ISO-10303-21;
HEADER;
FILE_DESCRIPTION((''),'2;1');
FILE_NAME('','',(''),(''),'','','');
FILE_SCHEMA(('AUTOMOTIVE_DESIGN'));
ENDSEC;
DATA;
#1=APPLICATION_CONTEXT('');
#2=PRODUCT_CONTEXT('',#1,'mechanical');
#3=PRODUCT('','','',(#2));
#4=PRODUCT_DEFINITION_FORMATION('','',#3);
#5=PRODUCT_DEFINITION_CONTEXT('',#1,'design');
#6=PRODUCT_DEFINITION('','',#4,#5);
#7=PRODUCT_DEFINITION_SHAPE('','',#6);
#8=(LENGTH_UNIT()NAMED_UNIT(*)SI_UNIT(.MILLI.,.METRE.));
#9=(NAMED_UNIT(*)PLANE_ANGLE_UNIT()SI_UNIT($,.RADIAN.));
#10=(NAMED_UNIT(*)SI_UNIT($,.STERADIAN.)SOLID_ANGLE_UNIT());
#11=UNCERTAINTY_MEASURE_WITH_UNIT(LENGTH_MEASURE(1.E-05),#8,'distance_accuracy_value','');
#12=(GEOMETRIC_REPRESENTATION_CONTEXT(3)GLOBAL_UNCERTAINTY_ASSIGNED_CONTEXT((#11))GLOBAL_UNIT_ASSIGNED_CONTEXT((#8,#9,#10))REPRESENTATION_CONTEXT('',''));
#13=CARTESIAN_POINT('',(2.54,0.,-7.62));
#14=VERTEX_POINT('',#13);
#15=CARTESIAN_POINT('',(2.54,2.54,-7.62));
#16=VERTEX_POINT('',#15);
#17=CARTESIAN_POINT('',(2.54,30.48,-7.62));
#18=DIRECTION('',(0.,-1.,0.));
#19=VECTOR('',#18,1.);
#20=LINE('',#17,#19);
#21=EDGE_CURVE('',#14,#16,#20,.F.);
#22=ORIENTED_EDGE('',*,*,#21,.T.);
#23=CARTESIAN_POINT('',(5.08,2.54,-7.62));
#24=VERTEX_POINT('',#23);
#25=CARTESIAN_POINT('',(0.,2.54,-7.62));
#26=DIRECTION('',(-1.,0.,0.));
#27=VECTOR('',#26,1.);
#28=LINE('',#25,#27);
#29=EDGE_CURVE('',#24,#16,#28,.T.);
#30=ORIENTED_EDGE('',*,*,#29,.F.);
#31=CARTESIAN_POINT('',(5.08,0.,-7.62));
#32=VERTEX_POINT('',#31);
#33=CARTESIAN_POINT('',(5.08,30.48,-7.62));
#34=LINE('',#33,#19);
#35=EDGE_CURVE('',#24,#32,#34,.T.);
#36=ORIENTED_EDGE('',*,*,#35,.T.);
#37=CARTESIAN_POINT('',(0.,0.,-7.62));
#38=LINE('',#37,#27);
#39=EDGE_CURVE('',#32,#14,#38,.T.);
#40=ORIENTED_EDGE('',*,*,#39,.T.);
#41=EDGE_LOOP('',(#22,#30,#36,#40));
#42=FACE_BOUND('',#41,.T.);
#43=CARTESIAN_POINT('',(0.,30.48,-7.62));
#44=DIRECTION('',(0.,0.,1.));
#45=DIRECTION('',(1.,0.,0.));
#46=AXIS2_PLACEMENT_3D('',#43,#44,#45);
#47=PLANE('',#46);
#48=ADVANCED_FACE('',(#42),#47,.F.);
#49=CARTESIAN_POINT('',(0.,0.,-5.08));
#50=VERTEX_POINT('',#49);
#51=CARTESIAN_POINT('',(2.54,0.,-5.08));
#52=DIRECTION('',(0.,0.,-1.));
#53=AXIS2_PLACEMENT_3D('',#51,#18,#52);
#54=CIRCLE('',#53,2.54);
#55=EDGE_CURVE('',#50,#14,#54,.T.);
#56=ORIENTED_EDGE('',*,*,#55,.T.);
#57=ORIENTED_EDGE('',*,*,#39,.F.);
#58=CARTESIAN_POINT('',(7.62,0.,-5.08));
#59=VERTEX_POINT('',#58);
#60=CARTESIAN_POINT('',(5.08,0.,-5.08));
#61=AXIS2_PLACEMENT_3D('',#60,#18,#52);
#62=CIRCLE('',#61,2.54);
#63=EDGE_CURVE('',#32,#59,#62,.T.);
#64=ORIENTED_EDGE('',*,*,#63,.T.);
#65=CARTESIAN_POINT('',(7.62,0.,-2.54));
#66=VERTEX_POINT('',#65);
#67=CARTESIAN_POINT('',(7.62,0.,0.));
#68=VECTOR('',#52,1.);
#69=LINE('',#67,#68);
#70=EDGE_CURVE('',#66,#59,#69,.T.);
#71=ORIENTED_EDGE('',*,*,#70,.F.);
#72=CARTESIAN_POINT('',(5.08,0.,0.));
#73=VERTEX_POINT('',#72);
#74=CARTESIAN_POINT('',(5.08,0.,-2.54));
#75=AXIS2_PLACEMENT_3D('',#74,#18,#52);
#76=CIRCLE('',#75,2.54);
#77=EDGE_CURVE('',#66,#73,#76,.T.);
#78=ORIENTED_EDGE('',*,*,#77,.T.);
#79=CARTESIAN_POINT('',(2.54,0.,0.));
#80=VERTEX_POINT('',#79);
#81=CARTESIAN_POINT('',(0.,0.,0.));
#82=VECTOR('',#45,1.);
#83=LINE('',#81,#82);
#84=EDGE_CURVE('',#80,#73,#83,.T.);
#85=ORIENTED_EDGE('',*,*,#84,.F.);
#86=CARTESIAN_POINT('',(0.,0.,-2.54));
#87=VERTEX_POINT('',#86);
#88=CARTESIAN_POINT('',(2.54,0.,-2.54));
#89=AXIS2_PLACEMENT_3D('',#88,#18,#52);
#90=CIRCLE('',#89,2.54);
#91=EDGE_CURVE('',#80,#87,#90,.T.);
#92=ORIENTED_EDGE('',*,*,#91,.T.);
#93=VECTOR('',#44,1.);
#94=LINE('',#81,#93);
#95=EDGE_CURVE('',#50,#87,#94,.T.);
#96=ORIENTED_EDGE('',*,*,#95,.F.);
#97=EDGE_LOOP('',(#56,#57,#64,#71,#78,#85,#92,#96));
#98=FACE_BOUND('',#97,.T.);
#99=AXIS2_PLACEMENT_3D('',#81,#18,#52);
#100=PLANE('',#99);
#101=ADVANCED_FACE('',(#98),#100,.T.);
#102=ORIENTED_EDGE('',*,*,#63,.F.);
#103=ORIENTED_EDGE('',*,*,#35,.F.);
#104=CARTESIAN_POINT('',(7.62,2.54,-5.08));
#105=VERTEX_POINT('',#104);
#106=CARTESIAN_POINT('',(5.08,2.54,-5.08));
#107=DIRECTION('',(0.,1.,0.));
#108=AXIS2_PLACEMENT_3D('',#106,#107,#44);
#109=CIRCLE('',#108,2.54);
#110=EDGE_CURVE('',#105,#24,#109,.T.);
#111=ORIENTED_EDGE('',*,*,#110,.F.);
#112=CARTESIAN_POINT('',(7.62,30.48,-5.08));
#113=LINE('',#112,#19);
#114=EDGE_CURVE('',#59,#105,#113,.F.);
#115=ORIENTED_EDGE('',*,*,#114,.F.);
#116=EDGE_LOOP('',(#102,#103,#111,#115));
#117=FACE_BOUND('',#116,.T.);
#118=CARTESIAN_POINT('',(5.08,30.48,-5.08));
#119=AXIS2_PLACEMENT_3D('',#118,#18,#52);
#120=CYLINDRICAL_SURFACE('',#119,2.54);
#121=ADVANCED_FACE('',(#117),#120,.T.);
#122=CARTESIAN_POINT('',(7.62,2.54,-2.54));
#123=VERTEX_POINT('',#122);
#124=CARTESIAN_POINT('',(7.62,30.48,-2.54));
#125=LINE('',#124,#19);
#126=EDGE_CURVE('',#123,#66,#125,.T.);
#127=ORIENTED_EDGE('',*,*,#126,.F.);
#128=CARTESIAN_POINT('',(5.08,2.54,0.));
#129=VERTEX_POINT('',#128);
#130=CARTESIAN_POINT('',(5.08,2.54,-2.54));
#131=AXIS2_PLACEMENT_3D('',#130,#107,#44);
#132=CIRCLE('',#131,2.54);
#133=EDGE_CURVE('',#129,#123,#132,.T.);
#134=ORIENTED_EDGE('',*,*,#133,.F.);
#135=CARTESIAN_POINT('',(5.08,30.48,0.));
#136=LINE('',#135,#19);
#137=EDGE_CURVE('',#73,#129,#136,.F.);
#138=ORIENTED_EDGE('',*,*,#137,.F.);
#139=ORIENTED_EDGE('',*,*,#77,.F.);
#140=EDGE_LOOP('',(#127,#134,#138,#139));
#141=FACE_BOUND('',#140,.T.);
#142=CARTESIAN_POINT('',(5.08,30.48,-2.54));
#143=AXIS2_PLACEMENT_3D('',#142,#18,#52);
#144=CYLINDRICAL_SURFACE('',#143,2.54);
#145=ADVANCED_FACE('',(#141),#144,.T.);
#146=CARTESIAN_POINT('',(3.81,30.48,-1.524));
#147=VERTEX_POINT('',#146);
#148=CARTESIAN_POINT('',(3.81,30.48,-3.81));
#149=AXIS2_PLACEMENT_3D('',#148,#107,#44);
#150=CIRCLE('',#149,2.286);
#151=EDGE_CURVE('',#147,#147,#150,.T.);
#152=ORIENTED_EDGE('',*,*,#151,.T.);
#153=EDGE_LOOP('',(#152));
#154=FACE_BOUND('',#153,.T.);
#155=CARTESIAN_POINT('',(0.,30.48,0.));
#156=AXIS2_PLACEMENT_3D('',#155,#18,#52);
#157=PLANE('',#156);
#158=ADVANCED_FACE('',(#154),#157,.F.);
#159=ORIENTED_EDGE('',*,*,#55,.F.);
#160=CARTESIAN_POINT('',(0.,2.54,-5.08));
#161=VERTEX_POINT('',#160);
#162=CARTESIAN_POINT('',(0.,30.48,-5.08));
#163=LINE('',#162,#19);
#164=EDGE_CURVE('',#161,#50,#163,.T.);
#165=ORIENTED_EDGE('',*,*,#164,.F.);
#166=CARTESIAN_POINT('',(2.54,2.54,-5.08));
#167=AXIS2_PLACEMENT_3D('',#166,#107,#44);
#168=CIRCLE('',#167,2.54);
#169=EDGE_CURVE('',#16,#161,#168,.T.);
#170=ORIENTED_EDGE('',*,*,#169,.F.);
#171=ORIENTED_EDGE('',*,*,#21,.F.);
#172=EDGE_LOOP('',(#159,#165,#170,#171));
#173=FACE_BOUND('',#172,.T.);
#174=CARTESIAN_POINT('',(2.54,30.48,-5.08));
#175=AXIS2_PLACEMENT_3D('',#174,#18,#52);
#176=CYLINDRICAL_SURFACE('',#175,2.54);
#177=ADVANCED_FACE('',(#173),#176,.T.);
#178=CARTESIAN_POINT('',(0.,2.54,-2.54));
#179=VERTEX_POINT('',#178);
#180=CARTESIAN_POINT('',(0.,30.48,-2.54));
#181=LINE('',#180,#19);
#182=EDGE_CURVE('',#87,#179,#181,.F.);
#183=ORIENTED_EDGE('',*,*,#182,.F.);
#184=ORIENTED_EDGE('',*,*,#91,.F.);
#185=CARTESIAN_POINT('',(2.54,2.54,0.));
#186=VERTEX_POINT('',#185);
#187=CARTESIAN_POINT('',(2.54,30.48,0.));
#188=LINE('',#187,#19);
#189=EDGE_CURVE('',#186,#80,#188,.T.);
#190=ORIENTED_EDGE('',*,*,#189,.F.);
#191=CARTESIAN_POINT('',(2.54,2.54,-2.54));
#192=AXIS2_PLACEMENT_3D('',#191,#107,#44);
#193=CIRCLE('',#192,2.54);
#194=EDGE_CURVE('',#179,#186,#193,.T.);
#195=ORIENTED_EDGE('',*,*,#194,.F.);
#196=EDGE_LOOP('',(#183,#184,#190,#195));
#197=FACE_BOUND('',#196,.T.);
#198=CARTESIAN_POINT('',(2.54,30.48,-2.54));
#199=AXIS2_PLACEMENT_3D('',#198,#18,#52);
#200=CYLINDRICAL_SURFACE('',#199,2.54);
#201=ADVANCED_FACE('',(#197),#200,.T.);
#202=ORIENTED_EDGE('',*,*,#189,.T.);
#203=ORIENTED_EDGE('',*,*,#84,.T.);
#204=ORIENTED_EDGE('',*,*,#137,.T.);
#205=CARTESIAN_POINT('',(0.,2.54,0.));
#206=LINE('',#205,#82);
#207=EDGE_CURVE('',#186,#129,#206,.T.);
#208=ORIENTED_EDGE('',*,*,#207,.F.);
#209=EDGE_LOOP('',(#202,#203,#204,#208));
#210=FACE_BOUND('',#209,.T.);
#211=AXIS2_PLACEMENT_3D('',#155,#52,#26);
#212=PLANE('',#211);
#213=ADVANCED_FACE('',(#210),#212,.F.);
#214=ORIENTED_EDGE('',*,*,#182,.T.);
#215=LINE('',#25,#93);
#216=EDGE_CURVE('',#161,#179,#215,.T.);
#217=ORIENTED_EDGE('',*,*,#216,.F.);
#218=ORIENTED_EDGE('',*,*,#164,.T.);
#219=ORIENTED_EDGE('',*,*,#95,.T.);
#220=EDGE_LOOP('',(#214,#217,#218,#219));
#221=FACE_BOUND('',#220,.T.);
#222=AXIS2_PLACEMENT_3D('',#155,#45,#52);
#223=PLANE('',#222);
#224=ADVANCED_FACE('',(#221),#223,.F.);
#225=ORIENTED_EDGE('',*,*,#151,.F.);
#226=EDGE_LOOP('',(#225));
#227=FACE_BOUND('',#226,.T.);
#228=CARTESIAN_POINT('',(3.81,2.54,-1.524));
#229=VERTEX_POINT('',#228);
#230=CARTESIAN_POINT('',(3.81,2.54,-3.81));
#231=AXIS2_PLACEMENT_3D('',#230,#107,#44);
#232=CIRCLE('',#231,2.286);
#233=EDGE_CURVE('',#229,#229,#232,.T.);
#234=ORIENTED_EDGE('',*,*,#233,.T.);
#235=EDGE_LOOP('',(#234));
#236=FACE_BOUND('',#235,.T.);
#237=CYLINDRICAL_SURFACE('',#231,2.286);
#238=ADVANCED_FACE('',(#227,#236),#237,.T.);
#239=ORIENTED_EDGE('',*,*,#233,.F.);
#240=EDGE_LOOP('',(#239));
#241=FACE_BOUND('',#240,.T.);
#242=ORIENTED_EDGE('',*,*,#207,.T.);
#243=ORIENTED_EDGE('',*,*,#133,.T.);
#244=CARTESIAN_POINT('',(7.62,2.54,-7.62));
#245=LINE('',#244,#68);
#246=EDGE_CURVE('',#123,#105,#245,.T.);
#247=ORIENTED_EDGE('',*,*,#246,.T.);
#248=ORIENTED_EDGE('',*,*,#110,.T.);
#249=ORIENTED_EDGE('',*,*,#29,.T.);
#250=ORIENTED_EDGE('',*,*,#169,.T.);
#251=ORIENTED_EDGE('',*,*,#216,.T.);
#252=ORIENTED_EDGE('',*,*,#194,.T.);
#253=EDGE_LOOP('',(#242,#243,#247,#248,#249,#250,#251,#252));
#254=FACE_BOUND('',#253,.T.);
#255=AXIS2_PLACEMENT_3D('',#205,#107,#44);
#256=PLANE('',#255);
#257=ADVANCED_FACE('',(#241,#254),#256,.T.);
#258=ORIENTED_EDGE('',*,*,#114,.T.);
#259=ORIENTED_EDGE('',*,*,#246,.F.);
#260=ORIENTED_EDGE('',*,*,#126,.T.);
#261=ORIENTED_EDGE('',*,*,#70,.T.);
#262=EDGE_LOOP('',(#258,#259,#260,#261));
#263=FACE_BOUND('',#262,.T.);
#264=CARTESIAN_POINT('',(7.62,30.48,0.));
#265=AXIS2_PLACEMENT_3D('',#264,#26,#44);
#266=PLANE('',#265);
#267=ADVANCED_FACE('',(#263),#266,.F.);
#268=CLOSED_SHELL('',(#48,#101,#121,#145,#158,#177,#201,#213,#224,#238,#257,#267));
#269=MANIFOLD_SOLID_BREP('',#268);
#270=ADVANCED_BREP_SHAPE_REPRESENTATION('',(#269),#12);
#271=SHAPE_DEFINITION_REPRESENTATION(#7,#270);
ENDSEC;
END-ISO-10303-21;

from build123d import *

# Parameters (mm, degrees)
SKETCH1_W           = 7.62
SKETCH1_H           = 7.62
BOSS_EXTRUDE1_DEPTH = 30.48
SKETCH2_W           = 7.62
SKETCH2_H           = 7.62
SKETCH2_R           = 2.286
CUT_EXTRUDE1_DEPTH  = 27.94
FILLET1_R           = 2.54
FILLET2_R           = 2.54
FILLET3_R           = 2.54
FILLET4_R           = 2.54


with BuildPart() as part:
    # Sketch1 → Boss-Extrude1 (new body)
    with BuildSketch(Plane(origin=(0, 0, 0), x_dir=(1, 0, 0), z_dir=(0, 1, 0))):
        with Locations((3.81, 3.81)):
            Rectangle(SKETCH1_W, SKETCH1_H)
    extrude(amount=BOSS_EXTRUDE1_DEPTH)

    # Sketch2 → Cut-Extrude1 (cut)
    with BuildSketch(Plane(origin=(0, 30.48, 0), x_dir=(1, 0, 0), z_dir=(0, 1, 0))):
        with Locations((3.81, 3.81)):
            Rectangle(SKETCH2_W, SKETCH2_H)
        with Locations(Location((3.81, 3.81, 0), (0, 0, 270))):
            Circle(SKETCH2_R, mode=Mode.SUBTRACT)
    extrude(amount=-CUT_EXTRUDE1_DEPTH, mode=Mode.SUBTRACT)

    # Fillet1
    fillet1_edges = [part.edges().sort_by_distance(p)[0] for p in [
        (7.62, 1.27, 0),
    ]]
    fillet(fillet1_edges, radius=FILLET1_R)

    # Fillet2
    fillet2_edges = [part.edges().sort_by_distance(p)[0] for p in [
        (7.62, 1.27, -7.62),
    ]]
    fillet(fillet2_edges, radius=FILLET2_R)

    # Fillet3
    fillet3_edges = [part.edges().sort_by_distance(p)[0] for p in [
        (0, 1.27, 0),
    ]]
    fillet(fillet3_edges, radius=FILLET3_R)

    # Fillet4
    fillet4_edges = [part.edges().sort_by_distance(p)[0] for p in [
        (0, 1.27, -7.62),
    ]]
    fillet(fillet4_edges, radius=FILLET4_R)


solid = part.part
